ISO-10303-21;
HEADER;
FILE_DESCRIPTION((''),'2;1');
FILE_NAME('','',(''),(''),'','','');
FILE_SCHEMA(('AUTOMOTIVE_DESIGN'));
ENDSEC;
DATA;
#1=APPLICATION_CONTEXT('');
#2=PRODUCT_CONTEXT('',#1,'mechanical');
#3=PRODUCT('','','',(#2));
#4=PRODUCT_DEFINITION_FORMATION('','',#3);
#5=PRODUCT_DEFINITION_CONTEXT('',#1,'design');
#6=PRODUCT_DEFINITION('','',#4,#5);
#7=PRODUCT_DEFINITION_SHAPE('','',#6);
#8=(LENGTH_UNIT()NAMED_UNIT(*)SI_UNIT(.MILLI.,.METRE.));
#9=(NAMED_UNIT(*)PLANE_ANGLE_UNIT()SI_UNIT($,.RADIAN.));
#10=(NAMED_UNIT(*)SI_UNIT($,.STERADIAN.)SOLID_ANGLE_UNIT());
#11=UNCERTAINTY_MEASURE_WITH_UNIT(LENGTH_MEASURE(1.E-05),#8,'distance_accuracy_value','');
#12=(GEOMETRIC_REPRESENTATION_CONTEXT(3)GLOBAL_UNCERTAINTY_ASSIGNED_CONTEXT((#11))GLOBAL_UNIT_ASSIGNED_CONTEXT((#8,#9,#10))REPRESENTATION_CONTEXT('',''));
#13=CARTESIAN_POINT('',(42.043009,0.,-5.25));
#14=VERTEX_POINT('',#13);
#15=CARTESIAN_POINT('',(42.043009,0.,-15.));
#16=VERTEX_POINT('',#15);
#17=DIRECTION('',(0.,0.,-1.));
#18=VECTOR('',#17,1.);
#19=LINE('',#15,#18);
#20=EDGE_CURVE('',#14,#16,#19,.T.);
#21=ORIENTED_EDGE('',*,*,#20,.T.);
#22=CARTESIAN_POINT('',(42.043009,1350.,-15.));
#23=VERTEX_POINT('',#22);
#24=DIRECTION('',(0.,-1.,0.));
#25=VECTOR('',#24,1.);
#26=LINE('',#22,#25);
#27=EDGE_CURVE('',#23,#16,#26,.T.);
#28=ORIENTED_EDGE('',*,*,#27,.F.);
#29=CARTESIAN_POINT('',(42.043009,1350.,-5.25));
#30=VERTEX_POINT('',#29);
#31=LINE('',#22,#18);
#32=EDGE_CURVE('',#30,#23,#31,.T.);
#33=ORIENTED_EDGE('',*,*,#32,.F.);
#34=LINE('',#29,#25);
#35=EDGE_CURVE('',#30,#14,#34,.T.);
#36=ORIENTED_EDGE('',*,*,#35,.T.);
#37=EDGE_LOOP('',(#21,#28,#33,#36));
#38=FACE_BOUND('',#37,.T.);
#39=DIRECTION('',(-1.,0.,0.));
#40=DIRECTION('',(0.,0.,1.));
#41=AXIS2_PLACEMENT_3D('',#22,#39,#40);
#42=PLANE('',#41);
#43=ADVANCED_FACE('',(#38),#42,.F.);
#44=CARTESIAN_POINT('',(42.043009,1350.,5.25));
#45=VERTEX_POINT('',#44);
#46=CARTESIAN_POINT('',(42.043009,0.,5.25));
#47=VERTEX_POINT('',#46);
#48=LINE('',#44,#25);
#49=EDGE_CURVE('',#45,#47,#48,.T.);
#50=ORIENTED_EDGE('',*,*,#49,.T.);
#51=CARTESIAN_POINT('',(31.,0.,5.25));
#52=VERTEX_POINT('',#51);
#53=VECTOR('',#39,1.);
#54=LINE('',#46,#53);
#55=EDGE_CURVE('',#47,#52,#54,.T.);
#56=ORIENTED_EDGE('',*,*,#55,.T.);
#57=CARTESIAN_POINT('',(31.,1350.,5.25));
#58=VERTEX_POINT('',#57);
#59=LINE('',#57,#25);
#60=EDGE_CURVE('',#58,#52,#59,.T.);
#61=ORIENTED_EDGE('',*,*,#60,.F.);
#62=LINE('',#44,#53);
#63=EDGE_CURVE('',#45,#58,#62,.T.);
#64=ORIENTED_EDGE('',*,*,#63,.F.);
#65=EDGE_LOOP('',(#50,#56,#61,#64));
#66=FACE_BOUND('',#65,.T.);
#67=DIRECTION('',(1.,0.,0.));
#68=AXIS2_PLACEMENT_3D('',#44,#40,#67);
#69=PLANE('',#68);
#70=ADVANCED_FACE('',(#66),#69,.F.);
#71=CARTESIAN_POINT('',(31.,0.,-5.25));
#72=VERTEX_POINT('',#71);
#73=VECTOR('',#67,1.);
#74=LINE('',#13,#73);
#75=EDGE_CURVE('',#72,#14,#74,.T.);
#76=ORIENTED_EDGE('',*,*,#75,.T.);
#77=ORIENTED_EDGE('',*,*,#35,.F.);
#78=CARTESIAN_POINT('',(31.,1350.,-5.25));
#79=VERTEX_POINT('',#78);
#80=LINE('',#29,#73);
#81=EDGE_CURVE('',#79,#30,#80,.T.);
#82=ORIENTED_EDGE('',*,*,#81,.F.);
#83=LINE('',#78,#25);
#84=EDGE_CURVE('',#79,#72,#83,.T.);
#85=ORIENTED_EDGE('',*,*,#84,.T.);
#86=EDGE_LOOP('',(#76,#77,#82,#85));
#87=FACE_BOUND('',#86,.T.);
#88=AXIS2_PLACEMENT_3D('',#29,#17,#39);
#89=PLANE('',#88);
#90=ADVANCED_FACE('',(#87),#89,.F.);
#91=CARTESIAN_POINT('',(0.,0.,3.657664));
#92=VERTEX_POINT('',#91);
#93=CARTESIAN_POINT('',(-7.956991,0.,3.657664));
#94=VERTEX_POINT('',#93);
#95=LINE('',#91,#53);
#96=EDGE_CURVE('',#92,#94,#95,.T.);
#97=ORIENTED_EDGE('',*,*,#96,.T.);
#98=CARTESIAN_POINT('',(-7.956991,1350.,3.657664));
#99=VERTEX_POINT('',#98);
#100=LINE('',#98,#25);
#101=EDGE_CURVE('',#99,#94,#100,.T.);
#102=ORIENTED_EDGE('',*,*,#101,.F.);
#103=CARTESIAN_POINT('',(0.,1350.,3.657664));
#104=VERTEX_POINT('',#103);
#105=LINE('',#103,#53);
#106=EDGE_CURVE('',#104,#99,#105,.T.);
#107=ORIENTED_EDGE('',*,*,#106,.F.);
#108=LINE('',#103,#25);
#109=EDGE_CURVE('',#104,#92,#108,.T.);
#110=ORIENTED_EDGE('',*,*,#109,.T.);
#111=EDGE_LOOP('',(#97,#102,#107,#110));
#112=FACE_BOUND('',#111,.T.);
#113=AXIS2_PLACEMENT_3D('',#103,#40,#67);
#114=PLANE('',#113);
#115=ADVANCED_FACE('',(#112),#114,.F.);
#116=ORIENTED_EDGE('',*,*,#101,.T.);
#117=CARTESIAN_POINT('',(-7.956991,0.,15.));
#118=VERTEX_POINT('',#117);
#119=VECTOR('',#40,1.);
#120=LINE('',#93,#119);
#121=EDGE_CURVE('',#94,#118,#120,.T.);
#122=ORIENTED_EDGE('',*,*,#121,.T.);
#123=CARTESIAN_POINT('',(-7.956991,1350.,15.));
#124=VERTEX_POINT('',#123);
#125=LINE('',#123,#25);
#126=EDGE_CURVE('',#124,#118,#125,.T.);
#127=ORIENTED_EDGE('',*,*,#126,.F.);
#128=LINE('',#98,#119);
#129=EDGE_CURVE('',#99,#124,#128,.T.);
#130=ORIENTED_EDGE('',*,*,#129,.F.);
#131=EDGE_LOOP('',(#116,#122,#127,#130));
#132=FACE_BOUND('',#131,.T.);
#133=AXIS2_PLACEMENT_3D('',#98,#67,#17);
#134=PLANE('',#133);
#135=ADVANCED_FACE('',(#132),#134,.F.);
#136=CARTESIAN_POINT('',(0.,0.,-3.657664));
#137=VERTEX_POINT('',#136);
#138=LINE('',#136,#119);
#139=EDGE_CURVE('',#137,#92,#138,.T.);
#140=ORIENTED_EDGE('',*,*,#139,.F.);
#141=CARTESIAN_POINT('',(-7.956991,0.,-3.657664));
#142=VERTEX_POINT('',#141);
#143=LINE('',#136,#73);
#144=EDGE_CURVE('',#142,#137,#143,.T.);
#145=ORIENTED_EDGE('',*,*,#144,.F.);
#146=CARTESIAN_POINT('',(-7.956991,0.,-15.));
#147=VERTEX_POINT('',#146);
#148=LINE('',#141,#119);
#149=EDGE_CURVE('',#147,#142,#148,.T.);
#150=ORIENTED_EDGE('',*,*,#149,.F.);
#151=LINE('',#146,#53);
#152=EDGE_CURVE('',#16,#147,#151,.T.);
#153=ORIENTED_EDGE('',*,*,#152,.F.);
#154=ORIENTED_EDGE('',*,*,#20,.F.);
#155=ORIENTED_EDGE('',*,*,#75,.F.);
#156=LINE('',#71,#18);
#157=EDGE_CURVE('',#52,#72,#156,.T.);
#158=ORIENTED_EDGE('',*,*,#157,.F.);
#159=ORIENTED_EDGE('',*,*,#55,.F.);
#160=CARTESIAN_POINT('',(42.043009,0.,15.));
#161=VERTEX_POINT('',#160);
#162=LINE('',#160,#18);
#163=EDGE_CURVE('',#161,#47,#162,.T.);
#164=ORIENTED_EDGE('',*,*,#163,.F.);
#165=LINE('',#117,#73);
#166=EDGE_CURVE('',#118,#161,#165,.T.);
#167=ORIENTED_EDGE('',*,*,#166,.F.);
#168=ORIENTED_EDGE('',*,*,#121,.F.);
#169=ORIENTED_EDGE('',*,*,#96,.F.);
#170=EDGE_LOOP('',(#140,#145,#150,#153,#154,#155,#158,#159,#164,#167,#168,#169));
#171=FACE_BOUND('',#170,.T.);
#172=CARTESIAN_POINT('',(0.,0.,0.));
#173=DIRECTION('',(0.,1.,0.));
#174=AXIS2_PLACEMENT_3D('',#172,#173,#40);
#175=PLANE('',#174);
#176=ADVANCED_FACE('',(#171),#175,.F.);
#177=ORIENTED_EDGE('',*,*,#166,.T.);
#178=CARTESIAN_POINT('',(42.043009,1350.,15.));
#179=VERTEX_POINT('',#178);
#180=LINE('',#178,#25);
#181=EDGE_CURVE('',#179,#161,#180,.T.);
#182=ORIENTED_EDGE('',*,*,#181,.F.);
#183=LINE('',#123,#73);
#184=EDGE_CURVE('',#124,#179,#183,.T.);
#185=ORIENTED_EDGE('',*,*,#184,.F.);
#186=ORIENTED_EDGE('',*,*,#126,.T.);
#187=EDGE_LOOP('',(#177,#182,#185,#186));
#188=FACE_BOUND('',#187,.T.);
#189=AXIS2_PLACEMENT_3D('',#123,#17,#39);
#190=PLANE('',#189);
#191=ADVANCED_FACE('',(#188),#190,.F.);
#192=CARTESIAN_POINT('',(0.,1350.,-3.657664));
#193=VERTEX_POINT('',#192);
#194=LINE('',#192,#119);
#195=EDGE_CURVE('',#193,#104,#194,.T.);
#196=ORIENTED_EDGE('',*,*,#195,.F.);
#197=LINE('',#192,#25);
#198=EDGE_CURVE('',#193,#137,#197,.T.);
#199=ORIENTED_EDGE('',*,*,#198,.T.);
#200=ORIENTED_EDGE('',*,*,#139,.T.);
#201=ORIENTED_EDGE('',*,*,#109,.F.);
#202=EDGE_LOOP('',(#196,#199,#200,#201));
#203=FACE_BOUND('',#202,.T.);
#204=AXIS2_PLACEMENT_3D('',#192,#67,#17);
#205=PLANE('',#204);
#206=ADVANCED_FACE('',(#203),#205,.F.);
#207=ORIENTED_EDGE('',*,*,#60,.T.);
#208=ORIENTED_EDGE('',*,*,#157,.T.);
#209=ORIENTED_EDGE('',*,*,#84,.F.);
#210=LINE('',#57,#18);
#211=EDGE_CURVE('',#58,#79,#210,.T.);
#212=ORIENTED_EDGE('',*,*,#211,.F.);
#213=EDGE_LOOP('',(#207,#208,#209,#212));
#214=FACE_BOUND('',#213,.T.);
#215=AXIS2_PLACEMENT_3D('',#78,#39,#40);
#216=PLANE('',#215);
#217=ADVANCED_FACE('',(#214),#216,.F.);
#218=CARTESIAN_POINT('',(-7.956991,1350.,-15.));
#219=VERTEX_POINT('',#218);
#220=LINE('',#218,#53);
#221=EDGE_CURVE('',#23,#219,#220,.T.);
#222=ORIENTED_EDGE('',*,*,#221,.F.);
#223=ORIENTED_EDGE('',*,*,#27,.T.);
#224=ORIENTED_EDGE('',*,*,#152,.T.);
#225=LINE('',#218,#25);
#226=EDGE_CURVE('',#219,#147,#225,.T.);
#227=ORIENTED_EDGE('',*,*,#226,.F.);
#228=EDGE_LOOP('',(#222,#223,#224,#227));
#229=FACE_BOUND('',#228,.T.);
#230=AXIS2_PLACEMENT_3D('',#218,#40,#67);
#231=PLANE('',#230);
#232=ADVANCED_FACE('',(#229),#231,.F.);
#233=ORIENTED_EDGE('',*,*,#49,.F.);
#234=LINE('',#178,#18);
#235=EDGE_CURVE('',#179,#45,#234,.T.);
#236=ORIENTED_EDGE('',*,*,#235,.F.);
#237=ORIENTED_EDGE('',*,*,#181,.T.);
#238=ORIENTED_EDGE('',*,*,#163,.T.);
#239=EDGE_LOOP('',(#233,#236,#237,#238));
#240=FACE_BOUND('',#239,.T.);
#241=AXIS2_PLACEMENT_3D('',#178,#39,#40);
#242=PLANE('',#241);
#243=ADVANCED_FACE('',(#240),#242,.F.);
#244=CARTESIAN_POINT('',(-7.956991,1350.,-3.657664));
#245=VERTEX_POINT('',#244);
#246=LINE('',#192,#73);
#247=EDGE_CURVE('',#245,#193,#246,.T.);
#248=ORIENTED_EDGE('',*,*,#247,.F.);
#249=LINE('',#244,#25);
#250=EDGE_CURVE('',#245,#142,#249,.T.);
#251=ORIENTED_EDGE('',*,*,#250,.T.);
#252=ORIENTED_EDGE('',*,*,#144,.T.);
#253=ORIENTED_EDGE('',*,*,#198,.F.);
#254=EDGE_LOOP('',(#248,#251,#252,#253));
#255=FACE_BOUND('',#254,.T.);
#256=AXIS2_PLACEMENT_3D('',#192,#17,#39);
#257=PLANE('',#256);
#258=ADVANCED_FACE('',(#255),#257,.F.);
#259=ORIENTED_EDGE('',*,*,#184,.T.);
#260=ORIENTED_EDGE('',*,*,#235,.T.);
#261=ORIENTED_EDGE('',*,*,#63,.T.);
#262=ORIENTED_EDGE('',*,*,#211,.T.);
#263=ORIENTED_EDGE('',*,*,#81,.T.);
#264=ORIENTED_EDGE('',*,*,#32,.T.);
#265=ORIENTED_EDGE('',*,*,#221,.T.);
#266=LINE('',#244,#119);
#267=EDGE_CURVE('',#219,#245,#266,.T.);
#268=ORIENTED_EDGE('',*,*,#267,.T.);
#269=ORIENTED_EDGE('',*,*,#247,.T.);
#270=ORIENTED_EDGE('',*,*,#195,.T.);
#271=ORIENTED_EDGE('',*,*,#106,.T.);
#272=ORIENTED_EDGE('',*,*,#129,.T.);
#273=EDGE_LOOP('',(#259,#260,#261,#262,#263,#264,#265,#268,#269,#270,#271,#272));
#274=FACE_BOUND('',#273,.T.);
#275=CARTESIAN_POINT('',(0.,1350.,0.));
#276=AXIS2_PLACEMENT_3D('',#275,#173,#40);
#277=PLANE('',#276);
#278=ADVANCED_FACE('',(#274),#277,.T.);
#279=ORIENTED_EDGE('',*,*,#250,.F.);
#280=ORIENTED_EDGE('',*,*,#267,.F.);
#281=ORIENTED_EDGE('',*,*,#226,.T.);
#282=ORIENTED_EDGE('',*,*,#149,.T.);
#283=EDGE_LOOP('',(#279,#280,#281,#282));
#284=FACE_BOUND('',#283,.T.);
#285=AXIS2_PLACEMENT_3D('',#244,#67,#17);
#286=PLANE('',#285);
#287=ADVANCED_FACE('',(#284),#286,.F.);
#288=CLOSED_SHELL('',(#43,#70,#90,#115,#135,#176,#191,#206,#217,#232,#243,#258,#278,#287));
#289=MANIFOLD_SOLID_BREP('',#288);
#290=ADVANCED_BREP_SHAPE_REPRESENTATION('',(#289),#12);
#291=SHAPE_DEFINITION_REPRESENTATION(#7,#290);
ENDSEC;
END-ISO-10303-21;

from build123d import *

# Parameters (mm, degrees)
EXTRUDE_1_DEPTH = 1350


with BuildPart() as part:
    # Эскиз1 → Бобышка-Вытянуть1 (new body)
    with BuildSketch(Plane(origin=(0, 0, 0), x_dir=(1, 0, 0), z_dir=(0, 1, 0))):
        Polygon((0, 3.657663655), (0, -3.657663655), (-7.956991175, -3.657663655), (-7.956991175, -15), (42.043008825, -15), (42.043008825, -5.25), (31, -5.25), (31, 0), (31, 5.25), (42.043008825, 5.25), (42.043008825, 15), (-7.956991175, 15), (-7.956991175, 3.657663655), align=None)
    extrude(amount=EXTRUDE_1_DEPTH)


solid = part.part
